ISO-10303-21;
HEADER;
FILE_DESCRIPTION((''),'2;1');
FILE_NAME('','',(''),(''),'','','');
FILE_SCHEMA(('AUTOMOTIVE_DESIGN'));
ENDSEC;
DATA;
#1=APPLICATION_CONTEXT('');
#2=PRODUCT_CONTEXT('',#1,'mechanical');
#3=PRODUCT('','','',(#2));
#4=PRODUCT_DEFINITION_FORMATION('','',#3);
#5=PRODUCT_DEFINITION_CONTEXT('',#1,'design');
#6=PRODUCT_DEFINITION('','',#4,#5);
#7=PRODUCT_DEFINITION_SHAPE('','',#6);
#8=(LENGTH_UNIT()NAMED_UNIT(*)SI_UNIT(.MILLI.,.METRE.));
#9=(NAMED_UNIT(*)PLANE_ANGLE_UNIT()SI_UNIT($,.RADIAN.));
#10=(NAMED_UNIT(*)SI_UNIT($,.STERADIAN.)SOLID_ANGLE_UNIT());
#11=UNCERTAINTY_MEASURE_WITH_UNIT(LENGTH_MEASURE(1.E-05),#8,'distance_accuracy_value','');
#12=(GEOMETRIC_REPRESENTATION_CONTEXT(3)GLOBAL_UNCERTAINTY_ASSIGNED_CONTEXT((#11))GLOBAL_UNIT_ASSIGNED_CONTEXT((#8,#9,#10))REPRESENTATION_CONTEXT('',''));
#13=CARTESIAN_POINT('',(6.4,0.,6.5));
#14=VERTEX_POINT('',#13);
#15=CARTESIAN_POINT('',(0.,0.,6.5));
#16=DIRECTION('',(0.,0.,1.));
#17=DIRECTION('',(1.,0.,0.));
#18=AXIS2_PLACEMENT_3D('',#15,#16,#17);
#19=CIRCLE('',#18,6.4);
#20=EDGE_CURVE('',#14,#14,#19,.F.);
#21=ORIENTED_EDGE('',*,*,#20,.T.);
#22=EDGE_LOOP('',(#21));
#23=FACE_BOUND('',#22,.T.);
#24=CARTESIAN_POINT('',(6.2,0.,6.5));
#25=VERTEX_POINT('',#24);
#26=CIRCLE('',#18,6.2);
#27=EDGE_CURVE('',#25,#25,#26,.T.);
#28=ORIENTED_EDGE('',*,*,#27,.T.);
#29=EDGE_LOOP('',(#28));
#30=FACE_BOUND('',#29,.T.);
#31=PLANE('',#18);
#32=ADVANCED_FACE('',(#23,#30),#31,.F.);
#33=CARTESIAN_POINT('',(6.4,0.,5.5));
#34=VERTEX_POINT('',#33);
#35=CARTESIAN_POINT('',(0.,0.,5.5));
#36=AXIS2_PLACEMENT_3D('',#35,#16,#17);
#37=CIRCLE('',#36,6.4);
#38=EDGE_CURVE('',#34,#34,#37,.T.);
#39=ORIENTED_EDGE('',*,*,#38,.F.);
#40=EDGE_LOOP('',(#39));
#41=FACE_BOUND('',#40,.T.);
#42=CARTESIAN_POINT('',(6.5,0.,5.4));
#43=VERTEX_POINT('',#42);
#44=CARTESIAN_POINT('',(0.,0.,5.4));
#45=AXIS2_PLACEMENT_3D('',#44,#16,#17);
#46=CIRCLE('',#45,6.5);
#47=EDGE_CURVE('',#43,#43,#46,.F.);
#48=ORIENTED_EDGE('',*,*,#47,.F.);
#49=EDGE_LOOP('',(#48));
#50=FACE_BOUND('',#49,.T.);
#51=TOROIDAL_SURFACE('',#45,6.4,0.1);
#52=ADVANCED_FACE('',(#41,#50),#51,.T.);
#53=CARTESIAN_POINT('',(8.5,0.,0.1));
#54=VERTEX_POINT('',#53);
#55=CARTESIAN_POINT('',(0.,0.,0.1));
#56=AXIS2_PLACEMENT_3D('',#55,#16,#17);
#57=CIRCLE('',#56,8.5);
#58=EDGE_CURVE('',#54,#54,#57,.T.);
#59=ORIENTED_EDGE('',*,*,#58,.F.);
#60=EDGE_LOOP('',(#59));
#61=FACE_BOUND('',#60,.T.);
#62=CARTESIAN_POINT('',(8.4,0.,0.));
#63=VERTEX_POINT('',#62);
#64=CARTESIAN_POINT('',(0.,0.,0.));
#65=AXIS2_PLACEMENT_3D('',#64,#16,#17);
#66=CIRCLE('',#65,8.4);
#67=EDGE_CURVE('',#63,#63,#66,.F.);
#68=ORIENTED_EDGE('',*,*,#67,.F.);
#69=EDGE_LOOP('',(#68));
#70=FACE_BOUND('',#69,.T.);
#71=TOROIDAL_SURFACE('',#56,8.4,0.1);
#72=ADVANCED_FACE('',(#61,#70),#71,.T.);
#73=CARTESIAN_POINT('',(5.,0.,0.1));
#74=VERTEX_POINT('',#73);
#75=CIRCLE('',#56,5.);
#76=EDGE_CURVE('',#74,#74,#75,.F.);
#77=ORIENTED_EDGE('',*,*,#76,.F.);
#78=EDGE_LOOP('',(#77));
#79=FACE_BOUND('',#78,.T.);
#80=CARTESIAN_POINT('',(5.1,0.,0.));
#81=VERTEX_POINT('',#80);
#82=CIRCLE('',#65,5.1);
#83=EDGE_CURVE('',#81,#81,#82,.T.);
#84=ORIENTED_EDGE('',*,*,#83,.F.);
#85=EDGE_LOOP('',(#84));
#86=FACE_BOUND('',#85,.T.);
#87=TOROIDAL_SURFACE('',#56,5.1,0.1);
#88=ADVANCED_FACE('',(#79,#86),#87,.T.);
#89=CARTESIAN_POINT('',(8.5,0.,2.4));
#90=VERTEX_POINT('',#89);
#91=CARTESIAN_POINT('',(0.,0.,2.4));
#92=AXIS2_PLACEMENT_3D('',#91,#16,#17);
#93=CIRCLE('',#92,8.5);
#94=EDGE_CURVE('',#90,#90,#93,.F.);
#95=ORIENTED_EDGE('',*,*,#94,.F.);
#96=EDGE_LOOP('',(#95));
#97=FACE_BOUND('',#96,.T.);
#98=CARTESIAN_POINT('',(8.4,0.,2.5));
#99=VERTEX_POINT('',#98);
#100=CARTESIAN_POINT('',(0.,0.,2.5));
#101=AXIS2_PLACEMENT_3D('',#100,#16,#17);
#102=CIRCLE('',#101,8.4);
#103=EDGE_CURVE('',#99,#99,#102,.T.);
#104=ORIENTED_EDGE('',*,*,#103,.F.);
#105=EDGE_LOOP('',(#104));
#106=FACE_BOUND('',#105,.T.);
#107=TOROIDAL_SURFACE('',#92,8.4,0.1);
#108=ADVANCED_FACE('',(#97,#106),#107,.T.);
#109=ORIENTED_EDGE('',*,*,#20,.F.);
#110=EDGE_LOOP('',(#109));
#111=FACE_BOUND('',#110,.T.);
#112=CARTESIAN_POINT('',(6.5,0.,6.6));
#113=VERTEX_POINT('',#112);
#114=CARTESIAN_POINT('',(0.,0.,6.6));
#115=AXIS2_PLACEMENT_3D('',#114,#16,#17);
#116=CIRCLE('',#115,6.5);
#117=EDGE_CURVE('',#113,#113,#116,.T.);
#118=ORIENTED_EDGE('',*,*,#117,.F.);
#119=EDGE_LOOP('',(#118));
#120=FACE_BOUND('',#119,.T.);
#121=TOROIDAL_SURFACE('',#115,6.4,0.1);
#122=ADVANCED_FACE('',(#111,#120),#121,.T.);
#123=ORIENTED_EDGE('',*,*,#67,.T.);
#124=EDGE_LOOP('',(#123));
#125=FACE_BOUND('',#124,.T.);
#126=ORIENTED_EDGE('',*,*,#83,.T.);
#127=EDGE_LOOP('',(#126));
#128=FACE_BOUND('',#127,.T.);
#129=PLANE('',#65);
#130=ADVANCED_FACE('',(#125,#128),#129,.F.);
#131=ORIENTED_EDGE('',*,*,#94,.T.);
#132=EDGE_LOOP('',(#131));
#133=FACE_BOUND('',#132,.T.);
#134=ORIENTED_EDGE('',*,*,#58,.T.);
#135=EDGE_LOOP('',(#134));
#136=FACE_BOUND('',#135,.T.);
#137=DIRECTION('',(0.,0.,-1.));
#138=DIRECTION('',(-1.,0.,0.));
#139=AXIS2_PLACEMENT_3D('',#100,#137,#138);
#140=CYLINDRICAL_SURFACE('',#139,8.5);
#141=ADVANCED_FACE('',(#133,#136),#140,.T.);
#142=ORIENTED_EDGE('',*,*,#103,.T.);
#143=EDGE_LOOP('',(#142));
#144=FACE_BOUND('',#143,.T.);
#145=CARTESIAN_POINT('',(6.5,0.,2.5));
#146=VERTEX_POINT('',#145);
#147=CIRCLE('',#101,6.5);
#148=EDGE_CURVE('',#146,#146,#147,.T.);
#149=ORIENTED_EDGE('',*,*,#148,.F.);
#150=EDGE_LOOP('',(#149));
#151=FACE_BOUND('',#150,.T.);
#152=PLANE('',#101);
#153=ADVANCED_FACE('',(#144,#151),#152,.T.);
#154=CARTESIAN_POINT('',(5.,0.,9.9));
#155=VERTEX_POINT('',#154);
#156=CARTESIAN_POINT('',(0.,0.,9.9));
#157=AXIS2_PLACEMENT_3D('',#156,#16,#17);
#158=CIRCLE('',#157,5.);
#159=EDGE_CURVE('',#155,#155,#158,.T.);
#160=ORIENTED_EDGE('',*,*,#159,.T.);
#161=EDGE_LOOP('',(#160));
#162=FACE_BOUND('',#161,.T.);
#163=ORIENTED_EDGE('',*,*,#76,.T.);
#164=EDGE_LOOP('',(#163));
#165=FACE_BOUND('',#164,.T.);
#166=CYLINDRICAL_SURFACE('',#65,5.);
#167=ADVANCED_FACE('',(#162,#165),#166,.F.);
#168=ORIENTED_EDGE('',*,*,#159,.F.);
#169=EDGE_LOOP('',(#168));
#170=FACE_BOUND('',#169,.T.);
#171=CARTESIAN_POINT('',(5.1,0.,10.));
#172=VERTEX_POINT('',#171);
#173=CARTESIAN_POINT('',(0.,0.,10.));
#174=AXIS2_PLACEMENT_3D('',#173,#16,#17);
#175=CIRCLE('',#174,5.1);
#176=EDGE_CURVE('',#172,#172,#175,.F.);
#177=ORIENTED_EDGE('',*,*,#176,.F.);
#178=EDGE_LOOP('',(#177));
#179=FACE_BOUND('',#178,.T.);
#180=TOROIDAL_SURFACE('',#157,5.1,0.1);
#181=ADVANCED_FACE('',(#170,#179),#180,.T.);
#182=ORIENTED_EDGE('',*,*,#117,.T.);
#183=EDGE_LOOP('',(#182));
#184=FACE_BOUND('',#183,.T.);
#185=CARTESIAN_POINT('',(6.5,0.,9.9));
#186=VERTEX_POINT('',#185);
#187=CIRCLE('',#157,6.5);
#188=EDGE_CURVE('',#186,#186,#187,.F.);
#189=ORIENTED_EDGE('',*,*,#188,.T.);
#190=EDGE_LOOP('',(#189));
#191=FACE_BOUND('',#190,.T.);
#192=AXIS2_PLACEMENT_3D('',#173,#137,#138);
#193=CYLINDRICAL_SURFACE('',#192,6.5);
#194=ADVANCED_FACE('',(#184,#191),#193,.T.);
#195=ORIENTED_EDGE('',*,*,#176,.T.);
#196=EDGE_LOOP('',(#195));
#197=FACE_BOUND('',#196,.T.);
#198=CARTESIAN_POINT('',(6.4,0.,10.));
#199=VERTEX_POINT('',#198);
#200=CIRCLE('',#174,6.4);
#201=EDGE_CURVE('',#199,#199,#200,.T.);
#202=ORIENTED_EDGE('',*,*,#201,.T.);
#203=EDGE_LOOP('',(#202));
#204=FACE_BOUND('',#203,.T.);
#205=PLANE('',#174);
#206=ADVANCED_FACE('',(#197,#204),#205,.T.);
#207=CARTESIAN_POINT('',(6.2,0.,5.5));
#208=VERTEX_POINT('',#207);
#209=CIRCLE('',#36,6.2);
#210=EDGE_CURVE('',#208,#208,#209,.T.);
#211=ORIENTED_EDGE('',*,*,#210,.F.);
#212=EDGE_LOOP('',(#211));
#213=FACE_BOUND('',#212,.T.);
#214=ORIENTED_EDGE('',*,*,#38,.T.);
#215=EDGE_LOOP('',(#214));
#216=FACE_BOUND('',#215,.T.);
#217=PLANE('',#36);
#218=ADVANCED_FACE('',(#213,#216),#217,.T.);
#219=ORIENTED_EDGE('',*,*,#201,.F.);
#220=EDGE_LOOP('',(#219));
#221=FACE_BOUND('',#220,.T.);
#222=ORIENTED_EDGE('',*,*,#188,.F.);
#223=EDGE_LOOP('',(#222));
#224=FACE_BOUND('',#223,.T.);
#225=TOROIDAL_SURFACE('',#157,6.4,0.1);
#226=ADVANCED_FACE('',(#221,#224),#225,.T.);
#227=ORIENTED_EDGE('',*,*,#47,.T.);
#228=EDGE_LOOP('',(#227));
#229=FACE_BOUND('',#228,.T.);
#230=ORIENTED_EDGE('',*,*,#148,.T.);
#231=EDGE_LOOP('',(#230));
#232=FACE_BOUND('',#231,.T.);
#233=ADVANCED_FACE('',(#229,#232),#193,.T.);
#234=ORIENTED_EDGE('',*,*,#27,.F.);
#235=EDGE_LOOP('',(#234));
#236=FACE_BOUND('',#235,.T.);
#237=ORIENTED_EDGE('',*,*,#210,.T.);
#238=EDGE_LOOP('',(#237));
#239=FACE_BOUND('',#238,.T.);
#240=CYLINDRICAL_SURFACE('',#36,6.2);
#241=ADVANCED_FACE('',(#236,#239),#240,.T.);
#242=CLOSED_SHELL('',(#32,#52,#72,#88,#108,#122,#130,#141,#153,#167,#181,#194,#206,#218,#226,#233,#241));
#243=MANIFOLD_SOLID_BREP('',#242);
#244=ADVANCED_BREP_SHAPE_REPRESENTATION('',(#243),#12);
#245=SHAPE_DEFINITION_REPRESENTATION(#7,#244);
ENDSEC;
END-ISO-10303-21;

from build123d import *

# Parameters (mm, degrees)
SKETCH1_R          = 8.5
EXTRUDE1_DEPTH     = 2.5
SKETCH2_R          = 6.5
EXTRUDE2_DEPTH     = 7.5
SKETCH3_R          = 5
CUT_EXTRUDE1_DEPTH = 16.636495771
FILLET1_R          = 0.1
CUT_EXTRUDE2_START = -4.5
SKETCH4_R          = 6.5
SKETCH4_R_2        = 6.2
CUT_EXTRUDE2_DEPTH = 1
FILLET2_R          = 0.1


with BuildPart() as part:
    # Sketch1 → Extrude1 (new body)
    with BuildSketch(Plane.XY):
        Circle(SKETCH1_R)
    extrude(amount=EXTRUDE1_DEPTH)

    # Sketch2 → Extrude2 (add)
    with BuildSketch(Plane.XY.offset(2.5)):
        Circle(SKETCH2_R)
    extrude(amount=EXTRUDE2_DEPTH)

    # Sketch3 → Cut-Extrude1 (cut, through all)
    with BuildSketch(Plane.XY.offset(10)):
        Circle(SKETCH3_R)
    extrude(amount=-CUT_EXTRUDE1_DEPTH, mode=Mode.SUBTRACT)

    # Fillet1
    fillet1_edges = [part.edges().sort_by_distance(p)[0] for p in [
        (-5, 0, 0),
        (-5, 0, 10),
        (-8.5, 0, 0),
        (-8.5, 0, 2.5),
        (-6.5, 0, 10),
    ]]
    fillet(fillet1_edges, radius=FILLET1_R)

    # Sketch4 → Cut-Extrude2 (cut)
    with BuildSketch(Plane.XY.offset(10).offset(CUT_EXTRUDE2_START)):
        Circle(SKETCH4_R)
        Circle(SKETCH4_R_2, mode=Mode.SUBTRACT)
    extrude(amount=CUT_EXTRUDE2_DEPTH, mode=Mode.SUBTRACT)

    # Fillet2
    fillet2_edges = [part.edges().sort_by_distance(p)[0] for p in [
        (-6.5, 0, 5.5),
        (-6.5, 0, 6.5),
    ]]
    fillet(fillet2_edges, radius=FILLET2_R)


solid = part.part
